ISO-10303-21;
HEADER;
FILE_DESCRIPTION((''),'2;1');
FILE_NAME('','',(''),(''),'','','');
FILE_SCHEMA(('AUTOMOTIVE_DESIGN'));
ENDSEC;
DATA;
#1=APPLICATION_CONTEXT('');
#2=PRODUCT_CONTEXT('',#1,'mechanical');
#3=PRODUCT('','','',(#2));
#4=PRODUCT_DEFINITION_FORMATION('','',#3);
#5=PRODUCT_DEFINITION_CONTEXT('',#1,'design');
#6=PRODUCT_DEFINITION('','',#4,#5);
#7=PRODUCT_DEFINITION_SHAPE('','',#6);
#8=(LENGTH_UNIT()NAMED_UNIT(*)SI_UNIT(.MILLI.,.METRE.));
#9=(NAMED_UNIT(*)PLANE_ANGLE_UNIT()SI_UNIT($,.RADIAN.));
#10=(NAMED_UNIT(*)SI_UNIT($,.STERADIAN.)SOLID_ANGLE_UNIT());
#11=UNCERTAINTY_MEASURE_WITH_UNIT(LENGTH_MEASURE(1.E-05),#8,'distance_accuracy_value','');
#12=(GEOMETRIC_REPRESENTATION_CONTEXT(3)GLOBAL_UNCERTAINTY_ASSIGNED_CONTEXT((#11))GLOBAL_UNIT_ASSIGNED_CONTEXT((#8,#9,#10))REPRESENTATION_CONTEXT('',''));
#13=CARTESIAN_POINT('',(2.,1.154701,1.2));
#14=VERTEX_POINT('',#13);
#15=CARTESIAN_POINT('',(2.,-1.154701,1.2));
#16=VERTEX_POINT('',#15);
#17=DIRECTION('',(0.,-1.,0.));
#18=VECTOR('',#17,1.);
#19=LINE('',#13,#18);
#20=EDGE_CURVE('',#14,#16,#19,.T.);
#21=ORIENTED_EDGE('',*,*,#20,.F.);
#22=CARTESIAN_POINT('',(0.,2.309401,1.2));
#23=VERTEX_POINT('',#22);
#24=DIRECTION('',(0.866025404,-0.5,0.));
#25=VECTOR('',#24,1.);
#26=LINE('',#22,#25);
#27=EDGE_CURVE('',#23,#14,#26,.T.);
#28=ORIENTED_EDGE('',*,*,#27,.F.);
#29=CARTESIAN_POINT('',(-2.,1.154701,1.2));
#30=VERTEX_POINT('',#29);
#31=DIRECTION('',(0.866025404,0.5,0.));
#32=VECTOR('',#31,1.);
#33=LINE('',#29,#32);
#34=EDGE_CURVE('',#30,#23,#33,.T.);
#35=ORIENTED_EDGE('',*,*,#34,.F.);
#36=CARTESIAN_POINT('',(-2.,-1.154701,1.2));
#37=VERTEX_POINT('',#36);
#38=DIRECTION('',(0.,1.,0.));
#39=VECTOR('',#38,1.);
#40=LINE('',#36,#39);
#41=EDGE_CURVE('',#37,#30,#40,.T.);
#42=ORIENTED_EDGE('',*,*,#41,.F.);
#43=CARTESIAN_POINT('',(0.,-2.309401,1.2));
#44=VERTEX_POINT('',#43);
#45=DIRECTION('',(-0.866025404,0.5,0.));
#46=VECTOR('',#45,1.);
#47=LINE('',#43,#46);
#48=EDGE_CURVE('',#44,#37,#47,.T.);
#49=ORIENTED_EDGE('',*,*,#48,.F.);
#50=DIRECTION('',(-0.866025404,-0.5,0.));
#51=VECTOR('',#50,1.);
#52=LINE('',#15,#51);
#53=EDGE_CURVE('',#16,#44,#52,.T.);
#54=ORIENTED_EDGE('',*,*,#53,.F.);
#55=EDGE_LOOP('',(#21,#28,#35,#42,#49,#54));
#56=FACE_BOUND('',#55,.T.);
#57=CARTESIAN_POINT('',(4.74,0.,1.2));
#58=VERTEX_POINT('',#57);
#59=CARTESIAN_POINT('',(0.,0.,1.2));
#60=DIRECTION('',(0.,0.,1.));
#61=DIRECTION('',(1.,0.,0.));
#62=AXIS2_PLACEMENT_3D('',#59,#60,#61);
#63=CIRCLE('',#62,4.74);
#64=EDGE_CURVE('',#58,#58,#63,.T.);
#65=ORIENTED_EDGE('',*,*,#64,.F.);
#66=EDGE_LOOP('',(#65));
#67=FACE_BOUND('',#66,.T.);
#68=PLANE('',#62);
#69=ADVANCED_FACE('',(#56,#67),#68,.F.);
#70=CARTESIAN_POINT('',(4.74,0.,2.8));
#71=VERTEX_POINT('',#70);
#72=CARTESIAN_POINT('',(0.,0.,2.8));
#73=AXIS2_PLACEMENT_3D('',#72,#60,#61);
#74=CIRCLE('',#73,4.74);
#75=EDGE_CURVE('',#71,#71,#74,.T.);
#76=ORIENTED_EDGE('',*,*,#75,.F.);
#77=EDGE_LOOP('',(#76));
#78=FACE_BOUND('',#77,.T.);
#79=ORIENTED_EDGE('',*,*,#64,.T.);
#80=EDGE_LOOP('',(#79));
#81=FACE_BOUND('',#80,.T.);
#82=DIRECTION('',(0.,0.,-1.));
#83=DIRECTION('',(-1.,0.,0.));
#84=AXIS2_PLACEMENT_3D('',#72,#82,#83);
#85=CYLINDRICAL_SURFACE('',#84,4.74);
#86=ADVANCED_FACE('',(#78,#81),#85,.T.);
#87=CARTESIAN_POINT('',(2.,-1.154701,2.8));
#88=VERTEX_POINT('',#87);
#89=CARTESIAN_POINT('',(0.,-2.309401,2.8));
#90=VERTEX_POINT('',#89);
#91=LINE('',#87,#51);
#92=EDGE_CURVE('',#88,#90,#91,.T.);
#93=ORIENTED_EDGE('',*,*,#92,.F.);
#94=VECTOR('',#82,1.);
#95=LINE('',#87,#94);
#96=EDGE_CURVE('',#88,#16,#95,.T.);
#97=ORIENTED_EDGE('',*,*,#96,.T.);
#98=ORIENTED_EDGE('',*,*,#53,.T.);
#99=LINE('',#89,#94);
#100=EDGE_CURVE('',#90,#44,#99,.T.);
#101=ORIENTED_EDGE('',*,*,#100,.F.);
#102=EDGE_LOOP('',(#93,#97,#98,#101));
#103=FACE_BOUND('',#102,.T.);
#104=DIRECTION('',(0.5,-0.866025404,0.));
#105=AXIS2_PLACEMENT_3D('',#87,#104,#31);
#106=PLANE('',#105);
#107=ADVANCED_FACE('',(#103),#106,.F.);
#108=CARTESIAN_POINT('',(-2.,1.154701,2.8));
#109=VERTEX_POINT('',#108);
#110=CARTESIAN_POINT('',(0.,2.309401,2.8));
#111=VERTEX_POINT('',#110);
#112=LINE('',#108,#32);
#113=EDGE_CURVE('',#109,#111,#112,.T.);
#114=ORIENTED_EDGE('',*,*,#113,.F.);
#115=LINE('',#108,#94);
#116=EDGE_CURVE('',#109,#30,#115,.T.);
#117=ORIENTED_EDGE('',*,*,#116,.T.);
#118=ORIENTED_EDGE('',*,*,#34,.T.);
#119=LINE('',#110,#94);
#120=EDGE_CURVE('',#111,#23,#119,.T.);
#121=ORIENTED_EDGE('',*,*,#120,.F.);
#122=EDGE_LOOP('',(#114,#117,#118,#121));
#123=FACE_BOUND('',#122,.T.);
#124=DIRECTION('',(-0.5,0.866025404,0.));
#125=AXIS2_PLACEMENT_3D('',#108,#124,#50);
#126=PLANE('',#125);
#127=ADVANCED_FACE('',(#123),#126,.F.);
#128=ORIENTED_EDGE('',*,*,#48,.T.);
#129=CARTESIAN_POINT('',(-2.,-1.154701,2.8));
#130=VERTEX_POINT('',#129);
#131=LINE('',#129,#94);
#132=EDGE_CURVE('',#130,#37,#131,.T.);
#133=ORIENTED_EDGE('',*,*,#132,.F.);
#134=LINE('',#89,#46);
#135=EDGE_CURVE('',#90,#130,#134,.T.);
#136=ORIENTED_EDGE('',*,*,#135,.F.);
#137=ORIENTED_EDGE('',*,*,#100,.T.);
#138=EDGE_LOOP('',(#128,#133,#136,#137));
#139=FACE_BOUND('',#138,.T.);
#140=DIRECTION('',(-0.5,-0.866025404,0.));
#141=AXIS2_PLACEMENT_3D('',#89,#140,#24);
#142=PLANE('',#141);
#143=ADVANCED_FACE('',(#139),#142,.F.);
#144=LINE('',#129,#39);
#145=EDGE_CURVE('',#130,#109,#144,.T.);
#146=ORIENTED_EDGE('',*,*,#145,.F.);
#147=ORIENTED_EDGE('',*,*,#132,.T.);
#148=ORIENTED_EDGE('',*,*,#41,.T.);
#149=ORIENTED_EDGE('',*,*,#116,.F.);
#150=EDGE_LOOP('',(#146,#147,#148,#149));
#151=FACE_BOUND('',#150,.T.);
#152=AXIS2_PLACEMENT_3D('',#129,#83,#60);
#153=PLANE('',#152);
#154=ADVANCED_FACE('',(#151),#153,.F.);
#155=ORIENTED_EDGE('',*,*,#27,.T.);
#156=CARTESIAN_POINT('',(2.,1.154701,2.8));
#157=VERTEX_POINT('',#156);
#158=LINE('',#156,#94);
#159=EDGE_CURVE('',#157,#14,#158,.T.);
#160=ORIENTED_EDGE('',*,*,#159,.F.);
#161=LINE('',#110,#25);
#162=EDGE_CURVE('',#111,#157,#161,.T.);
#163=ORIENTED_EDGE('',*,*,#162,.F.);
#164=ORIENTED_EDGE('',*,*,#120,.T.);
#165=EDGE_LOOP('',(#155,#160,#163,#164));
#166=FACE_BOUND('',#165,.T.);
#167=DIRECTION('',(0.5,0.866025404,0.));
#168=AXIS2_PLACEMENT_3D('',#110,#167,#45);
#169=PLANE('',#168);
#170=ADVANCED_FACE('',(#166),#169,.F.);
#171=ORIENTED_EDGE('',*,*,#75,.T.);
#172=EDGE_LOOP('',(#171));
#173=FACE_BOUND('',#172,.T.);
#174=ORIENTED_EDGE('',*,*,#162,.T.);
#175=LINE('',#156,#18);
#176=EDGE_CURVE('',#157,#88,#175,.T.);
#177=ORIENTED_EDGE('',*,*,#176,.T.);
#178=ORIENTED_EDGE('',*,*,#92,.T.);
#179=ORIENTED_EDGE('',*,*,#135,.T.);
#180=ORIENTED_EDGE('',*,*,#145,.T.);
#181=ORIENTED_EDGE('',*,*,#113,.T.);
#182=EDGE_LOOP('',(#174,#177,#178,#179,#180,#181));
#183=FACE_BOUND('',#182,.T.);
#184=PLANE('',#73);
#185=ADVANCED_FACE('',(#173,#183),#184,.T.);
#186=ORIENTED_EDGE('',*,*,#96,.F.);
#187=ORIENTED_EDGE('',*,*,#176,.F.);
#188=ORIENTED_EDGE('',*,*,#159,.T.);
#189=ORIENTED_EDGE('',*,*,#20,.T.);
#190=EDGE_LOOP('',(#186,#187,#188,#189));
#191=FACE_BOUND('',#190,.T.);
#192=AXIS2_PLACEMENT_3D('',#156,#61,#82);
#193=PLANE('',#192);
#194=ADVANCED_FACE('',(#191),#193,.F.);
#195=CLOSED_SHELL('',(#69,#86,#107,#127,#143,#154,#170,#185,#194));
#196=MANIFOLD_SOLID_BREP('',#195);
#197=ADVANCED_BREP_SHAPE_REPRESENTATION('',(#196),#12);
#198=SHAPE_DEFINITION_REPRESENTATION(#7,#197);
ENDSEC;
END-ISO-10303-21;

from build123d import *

# Parameters (mm, degrees)
SKETCH1_R           = 11.85
BOSS_EXTRUDE1_DEPTH = 4
CUT_EXTRUDE1_DEPTH  = 18.229190347
SCALE1_SCALE        = 0.4


with BuildPart() as part:
    # Sketch1 → Boss-Extrude1 (new body)
    with BuildSketch(Plane.XY):
        Circle(SKETCH1_R)
    extrude(amount=BOSS_EXTRUDE1_DEPTH)

    # Sketch2 → Cut-Extrude1 (cut, through all)
    with BuildSketch(Plane(origin=(0, 0, 0), x_dir=(-1, 0, 0), z_dir=(0, 0, -1))):
        Polygon((0, 5.773502692), (-5, 2.886751346), (-5, -2.886751346), (0, -5.773502692), (5, -2.886751346), (5, 2.886751346), align=None)
    extrude(amount=-CUT_EXTRUDE1_DEPTH, mode=Mode.SUBTRACT)


with BuildPart() as part_1:
    # Scale1: scaled about (0, 0, 2)
    add(part.part.scale(SCALE1_SCALE).moved(Location((0, 0, 1.2))))


solid = part_1.part
